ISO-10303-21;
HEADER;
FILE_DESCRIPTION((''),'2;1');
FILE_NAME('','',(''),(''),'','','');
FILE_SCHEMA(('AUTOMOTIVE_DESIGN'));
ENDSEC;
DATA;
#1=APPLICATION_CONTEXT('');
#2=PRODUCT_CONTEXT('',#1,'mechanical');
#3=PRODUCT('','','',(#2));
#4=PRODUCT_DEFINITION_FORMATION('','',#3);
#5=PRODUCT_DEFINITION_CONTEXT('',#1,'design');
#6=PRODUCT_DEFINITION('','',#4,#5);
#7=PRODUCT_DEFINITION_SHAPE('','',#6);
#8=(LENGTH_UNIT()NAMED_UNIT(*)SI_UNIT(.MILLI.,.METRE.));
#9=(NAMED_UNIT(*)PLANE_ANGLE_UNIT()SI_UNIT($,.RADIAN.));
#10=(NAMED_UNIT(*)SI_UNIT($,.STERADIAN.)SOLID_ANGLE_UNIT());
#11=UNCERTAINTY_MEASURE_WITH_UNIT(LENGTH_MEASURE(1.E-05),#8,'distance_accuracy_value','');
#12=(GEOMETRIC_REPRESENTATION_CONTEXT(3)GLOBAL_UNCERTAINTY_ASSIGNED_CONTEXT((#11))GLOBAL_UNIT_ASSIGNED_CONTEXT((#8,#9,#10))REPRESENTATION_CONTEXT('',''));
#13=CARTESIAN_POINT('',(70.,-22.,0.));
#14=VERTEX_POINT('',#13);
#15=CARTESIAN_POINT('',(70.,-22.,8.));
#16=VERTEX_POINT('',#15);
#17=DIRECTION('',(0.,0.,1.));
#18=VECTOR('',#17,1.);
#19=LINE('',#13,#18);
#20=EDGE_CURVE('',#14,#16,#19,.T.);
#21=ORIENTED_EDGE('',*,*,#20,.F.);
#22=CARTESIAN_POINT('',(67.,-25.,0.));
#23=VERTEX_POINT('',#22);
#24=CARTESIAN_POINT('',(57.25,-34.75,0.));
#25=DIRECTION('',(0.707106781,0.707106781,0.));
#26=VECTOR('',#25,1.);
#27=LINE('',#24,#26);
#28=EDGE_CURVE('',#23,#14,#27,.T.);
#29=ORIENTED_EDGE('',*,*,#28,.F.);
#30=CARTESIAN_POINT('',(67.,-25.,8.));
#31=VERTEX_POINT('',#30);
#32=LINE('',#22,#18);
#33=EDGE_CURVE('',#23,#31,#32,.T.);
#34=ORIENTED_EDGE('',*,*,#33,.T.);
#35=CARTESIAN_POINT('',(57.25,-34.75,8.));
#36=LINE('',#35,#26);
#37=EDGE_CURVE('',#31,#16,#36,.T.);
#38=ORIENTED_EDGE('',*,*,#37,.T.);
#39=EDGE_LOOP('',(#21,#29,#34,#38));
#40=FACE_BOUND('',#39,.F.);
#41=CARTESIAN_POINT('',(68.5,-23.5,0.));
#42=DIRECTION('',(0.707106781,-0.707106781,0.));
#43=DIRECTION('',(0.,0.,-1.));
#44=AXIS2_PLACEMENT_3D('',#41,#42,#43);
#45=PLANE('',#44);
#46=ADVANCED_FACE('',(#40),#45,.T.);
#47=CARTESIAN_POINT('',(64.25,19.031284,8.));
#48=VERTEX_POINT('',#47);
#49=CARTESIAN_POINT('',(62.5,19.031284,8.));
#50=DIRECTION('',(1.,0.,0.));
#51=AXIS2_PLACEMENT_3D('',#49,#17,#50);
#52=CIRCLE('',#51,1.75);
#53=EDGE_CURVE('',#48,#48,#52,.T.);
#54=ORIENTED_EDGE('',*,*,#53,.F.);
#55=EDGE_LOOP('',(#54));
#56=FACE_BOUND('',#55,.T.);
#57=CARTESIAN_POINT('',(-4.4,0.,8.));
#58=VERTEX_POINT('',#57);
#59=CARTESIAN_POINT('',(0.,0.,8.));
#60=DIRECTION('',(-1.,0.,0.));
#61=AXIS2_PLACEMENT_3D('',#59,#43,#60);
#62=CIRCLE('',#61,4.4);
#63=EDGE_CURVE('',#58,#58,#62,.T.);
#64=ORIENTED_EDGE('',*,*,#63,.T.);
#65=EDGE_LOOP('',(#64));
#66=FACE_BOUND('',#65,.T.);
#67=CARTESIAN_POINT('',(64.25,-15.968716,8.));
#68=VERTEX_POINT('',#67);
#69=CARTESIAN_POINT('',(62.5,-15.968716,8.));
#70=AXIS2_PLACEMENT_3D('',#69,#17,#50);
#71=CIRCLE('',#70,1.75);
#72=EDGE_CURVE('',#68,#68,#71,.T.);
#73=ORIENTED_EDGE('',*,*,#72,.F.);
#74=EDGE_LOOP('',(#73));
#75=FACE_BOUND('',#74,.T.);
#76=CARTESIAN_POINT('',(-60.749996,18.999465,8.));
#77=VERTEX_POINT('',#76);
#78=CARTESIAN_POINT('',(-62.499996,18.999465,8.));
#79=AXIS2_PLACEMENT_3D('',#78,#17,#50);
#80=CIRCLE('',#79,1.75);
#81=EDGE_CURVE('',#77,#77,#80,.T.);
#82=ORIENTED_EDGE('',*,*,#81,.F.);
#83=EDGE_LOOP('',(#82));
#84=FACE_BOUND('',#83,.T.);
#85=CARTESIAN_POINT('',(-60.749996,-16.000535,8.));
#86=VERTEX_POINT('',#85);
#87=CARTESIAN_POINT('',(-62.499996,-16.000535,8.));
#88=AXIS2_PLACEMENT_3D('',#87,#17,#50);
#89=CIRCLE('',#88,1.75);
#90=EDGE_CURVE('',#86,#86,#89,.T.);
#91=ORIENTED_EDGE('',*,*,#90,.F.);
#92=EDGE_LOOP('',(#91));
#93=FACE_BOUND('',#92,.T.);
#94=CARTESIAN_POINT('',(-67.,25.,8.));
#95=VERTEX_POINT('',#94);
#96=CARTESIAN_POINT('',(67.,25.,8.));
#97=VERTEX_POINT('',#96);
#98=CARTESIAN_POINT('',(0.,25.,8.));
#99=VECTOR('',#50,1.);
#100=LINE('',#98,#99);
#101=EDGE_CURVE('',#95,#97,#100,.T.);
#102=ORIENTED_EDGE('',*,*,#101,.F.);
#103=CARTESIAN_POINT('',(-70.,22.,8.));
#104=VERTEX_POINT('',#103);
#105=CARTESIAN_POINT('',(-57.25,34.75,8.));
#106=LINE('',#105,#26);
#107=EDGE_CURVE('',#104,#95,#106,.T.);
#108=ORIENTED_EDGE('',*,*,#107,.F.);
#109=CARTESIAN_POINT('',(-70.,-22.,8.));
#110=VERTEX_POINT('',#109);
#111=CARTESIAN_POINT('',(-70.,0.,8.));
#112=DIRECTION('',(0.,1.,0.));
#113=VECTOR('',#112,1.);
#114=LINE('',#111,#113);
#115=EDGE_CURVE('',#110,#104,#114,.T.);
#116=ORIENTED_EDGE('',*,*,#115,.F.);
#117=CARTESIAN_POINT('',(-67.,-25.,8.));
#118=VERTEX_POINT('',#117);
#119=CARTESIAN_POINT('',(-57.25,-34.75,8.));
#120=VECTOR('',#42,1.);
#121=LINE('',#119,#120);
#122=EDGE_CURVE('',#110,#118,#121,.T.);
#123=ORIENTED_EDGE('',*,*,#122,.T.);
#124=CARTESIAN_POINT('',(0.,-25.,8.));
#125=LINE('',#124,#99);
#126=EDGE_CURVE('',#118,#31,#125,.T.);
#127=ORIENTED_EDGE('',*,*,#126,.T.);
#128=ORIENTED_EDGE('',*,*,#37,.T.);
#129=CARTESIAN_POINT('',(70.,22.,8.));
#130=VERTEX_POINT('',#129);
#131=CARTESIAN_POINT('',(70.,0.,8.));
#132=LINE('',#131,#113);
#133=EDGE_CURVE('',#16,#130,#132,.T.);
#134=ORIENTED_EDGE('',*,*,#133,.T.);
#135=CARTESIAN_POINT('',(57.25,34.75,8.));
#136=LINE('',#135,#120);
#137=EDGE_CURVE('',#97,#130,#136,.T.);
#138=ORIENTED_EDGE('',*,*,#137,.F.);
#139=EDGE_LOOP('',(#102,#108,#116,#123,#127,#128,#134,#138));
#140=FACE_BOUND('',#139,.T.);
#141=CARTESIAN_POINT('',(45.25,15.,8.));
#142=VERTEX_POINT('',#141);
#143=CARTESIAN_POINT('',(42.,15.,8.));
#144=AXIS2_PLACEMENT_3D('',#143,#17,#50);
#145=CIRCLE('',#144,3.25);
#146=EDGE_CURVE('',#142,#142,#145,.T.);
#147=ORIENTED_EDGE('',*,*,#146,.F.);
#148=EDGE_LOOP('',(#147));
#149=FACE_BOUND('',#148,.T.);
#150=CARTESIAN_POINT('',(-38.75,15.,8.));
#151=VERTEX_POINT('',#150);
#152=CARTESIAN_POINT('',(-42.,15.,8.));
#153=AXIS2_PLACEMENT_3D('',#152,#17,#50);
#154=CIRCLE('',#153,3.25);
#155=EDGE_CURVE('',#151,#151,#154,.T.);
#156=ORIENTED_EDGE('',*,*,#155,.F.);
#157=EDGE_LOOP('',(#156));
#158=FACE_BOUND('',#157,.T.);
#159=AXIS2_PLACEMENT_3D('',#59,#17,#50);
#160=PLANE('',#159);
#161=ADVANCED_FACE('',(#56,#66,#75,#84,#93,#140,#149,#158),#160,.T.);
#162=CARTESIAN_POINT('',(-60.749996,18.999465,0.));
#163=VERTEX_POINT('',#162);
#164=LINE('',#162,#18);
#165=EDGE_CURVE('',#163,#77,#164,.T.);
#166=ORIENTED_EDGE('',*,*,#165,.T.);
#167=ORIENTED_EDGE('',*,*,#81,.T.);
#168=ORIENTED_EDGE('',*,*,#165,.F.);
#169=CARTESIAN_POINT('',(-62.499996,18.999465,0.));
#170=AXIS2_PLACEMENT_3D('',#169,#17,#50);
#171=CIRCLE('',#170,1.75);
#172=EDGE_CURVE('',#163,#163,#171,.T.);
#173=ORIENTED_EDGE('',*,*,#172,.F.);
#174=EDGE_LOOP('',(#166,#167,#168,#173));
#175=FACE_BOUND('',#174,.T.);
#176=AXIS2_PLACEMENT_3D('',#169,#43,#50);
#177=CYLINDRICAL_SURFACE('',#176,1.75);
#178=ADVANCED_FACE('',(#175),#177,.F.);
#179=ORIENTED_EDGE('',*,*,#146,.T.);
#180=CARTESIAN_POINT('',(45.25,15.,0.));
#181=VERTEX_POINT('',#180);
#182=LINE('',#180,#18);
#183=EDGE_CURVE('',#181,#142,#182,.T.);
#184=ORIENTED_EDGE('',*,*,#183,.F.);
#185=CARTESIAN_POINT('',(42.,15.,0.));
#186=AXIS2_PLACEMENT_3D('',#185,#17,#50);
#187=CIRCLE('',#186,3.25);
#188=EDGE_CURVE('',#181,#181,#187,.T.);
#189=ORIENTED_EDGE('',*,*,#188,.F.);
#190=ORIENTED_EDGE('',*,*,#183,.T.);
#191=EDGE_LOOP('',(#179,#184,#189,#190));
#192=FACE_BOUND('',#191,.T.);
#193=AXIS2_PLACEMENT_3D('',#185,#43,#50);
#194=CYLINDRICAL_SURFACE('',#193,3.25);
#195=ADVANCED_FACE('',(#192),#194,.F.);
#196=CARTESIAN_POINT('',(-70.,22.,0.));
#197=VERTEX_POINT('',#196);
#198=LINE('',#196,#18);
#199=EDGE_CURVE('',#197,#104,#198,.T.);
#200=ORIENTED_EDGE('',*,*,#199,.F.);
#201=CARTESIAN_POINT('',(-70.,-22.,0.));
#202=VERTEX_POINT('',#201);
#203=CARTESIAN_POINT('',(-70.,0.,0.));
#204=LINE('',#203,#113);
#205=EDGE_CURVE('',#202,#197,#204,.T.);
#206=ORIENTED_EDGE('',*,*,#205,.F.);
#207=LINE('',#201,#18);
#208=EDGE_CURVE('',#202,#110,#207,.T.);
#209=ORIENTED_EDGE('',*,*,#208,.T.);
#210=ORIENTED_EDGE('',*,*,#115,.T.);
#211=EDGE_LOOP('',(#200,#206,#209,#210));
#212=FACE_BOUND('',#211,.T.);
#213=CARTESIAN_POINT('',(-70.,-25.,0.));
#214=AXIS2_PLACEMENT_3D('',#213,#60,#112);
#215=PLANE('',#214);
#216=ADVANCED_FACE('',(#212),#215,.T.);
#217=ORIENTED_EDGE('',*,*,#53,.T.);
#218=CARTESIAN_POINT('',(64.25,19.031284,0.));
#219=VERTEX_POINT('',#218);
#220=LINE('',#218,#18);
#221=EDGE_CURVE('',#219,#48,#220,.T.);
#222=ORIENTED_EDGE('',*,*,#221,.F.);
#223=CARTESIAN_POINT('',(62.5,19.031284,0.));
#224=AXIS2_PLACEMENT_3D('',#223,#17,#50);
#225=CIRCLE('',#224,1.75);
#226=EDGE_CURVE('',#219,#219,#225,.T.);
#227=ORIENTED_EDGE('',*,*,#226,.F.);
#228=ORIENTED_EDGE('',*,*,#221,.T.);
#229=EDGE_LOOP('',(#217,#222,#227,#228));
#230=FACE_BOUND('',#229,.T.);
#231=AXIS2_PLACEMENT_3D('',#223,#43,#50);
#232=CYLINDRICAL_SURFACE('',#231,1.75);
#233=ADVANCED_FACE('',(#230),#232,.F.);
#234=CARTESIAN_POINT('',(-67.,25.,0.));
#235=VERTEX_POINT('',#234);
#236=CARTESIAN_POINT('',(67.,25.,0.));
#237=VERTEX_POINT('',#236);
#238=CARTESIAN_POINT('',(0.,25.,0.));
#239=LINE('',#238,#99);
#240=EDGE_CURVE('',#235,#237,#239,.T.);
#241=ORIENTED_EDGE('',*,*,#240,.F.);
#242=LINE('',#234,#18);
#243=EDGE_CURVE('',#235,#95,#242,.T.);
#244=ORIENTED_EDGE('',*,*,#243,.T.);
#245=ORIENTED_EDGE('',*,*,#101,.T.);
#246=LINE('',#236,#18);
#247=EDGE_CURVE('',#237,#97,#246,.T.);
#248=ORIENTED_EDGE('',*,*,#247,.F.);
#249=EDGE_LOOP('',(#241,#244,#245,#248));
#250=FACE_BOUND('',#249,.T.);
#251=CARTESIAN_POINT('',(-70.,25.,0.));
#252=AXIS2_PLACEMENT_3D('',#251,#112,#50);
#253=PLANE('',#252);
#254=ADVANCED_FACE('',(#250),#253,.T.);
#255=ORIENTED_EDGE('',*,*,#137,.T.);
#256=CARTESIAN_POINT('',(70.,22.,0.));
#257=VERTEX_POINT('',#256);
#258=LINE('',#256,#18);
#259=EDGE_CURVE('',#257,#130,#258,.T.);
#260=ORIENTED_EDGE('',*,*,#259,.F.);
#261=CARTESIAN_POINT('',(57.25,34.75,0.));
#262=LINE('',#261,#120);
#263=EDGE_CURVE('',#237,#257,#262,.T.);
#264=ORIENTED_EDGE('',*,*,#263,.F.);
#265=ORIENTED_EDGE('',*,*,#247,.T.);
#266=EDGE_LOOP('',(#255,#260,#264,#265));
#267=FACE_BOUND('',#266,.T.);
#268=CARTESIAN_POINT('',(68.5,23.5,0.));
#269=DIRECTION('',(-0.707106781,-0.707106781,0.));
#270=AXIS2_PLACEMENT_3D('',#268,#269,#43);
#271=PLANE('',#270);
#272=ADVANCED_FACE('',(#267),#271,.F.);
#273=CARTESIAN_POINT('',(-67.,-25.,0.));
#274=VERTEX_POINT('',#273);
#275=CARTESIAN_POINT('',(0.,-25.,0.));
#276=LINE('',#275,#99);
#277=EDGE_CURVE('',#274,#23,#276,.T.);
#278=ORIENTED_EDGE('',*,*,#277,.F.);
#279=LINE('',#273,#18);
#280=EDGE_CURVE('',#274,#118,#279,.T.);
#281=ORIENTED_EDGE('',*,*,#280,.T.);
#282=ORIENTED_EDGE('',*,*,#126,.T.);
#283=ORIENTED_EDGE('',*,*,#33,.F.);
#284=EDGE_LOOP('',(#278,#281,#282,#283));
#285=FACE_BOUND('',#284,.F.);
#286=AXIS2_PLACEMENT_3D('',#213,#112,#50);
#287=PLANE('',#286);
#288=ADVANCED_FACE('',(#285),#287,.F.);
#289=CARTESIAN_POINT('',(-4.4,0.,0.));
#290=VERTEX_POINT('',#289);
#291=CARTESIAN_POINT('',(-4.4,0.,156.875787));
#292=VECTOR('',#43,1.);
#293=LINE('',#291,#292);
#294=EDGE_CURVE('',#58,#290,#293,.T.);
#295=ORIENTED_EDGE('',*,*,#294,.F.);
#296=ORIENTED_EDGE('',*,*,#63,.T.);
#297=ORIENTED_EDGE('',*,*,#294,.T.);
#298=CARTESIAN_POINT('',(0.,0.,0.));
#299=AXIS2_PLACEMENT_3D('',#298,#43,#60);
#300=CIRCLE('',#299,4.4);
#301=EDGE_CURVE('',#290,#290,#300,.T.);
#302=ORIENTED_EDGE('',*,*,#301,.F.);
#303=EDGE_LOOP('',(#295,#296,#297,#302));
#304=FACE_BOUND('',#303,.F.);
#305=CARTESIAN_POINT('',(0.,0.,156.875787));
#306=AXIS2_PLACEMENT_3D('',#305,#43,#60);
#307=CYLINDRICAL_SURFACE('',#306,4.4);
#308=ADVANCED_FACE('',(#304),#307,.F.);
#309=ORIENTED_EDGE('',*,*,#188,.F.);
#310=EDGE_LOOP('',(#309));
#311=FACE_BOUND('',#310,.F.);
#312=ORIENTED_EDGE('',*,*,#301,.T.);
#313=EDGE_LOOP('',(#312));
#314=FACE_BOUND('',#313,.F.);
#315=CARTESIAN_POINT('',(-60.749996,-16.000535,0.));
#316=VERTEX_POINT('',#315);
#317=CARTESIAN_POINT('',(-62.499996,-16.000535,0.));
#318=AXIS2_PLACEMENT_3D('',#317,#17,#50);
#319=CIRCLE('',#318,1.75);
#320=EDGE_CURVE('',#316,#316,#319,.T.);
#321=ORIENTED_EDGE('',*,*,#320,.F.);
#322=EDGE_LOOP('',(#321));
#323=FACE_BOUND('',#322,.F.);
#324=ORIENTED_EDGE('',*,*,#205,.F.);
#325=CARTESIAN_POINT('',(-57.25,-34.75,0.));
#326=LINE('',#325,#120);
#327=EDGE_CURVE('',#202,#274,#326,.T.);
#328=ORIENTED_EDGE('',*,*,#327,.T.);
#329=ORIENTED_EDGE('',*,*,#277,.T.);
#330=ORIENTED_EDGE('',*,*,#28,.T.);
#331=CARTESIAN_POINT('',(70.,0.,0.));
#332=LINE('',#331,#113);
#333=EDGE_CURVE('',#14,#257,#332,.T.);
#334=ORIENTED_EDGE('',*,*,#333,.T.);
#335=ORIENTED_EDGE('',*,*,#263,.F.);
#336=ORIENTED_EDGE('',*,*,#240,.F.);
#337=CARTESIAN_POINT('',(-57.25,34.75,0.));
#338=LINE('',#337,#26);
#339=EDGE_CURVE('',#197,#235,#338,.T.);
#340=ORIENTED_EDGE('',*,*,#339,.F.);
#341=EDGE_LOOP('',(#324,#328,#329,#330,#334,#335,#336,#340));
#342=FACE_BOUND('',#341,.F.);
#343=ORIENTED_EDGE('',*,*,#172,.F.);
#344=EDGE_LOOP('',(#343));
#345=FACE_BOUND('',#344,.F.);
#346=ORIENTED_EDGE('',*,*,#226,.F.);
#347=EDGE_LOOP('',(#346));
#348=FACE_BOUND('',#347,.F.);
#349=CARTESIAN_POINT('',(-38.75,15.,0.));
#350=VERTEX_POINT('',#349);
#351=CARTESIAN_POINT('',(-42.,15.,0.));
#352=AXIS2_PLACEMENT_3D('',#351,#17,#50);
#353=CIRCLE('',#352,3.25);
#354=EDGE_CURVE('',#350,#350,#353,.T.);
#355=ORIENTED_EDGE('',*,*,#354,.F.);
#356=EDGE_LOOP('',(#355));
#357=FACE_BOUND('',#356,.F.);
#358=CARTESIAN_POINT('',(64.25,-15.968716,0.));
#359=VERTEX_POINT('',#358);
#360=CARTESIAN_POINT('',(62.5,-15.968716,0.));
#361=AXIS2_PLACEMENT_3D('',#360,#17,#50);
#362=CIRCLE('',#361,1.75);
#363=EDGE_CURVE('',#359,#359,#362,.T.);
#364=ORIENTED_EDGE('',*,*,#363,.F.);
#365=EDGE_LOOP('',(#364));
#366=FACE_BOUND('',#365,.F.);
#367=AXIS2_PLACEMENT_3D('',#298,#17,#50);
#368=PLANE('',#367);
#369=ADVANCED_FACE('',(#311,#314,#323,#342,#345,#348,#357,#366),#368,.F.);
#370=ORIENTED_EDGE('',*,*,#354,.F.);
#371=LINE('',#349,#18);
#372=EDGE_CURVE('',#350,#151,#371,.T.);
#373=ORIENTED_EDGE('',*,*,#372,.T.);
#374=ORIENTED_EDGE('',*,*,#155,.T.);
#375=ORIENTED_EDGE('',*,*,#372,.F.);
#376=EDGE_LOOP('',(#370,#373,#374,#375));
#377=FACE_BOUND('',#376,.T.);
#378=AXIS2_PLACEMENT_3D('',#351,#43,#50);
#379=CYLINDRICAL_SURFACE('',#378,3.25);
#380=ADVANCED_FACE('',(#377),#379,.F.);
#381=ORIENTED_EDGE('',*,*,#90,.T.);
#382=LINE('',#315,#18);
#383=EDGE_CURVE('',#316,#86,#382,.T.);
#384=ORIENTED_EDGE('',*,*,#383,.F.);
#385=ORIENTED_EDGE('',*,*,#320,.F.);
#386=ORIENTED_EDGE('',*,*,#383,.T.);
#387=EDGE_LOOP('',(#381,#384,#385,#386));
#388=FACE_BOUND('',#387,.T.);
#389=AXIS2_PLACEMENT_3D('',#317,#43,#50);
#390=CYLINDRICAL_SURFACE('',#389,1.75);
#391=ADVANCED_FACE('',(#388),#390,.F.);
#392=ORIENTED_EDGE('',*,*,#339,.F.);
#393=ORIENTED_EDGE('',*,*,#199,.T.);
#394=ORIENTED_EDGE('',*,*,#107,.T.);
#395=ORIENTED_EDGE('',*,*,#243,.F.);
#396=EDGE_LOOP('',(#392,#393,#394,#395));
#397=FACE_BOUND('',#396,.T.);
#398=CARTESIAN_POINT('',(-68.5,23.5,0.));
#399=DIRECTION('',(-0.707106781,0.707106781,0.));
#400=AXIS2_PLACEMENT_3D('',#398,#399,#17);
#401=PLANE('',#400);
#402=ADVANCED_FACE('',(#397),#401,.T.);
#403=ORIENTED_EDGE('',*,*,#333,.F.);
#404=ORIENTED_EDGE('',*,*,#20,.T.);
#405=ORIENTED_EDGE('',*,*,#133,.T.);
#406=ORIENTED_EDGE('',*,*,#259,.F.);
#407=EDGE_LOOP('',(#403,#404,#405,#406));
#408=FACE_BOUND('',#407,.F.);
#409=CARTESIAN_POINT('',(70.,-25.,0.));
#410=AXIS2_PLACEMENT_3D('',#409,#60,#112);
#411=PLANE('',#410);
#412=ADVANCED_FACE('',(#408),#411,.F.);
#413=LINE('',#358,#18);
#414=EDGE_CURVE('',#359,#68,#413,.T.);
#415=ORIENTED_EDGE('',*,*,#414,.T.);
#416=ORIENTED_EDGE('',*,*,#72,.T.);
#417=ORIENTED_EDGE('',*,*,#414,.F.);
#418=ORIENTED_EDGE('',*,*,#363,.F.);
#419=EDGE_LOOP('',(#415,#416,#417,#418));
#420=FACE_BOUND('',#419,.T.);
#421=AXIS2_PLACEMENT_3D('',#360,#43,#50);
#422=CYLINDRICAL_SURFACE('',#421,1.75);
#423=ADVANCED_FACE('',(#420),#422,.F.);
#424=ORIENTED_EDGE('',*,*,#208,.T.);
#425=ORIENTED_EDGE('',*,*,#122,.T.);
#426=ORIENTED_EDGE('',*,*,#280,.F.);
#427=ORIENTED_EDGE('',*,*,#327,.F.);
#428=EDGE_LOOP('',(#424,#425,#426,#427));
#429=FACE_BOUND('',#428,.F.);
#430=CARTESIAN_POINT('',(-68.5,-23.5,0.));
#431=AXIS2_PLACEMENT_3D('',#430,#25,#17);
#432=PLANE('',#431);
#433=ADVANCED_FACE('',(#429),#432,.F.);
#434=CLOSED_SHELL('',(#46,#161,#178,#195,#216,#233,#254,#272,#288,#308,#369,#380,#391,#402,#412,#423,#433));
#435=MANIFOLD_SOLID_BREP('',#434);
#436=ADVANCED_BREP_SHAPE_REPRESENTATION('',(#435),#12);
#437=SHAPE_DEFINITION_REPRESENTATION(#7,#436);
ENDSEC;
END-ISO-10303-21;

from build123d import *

# Parameters (mm, degrees)
F0_W     = 140
F0_H     = 50
F0_R     = 1.75
F0_R_2   = 3.25
F0_R_3   = 2.5
F1_DEPTH = 8
F2_SIZE  = 3
F4_D     = 8.8


with BuildPart() as f1:
    # F0 (on Top) → F1 (new body)
    with BuildSketch(Plane.XY):
        Rectangle(F0_W, F0_H)
        with Locations((-62.4999959502, -16.0005345571)):
            Circle(F0_R, mode=Mode.SUBTRACT)
        with Locations((62.5, -15.968715623)):
            Circle(F0_R, mode=Mode.SUBTRACT)
        with Locations((-42, 15)):
            Circle(F0_R_2, mode=Mode.SUBTRACT)
        with Locations((-62.4999959502, 18.9994654429)):
            Circle(F0_R, mode=Mode.SUBTRACT)
        Circle(F0_R_3, mode=Mode.SUBTRACT)
        with Locations((42, 15)):
            Circle(F0_R_2, mode=Mode.SUBTRACT)
        with Locations((62.5, 19.031284377)):
            Circle(F0_R, mode=Mode.SUBTRACT)
    extrude(amount=F1_DEPTH)

    # F2
    f2_edges = [f1.edges().sort_by_distance(p)[0] for p in [
        (-70, -25, 4),
        (70, -25, 4),
        (70, 25, 4),
        (-70, 25, 4),
    ]]
    chamfer(f2_edges, length=F2_SIZE)

    # F4 (through all)
    with Locations(Plane.XY.offset(8)):
        with Locations((0, 0)):
            Hole(F4_D / 2)


solid = f1.part
